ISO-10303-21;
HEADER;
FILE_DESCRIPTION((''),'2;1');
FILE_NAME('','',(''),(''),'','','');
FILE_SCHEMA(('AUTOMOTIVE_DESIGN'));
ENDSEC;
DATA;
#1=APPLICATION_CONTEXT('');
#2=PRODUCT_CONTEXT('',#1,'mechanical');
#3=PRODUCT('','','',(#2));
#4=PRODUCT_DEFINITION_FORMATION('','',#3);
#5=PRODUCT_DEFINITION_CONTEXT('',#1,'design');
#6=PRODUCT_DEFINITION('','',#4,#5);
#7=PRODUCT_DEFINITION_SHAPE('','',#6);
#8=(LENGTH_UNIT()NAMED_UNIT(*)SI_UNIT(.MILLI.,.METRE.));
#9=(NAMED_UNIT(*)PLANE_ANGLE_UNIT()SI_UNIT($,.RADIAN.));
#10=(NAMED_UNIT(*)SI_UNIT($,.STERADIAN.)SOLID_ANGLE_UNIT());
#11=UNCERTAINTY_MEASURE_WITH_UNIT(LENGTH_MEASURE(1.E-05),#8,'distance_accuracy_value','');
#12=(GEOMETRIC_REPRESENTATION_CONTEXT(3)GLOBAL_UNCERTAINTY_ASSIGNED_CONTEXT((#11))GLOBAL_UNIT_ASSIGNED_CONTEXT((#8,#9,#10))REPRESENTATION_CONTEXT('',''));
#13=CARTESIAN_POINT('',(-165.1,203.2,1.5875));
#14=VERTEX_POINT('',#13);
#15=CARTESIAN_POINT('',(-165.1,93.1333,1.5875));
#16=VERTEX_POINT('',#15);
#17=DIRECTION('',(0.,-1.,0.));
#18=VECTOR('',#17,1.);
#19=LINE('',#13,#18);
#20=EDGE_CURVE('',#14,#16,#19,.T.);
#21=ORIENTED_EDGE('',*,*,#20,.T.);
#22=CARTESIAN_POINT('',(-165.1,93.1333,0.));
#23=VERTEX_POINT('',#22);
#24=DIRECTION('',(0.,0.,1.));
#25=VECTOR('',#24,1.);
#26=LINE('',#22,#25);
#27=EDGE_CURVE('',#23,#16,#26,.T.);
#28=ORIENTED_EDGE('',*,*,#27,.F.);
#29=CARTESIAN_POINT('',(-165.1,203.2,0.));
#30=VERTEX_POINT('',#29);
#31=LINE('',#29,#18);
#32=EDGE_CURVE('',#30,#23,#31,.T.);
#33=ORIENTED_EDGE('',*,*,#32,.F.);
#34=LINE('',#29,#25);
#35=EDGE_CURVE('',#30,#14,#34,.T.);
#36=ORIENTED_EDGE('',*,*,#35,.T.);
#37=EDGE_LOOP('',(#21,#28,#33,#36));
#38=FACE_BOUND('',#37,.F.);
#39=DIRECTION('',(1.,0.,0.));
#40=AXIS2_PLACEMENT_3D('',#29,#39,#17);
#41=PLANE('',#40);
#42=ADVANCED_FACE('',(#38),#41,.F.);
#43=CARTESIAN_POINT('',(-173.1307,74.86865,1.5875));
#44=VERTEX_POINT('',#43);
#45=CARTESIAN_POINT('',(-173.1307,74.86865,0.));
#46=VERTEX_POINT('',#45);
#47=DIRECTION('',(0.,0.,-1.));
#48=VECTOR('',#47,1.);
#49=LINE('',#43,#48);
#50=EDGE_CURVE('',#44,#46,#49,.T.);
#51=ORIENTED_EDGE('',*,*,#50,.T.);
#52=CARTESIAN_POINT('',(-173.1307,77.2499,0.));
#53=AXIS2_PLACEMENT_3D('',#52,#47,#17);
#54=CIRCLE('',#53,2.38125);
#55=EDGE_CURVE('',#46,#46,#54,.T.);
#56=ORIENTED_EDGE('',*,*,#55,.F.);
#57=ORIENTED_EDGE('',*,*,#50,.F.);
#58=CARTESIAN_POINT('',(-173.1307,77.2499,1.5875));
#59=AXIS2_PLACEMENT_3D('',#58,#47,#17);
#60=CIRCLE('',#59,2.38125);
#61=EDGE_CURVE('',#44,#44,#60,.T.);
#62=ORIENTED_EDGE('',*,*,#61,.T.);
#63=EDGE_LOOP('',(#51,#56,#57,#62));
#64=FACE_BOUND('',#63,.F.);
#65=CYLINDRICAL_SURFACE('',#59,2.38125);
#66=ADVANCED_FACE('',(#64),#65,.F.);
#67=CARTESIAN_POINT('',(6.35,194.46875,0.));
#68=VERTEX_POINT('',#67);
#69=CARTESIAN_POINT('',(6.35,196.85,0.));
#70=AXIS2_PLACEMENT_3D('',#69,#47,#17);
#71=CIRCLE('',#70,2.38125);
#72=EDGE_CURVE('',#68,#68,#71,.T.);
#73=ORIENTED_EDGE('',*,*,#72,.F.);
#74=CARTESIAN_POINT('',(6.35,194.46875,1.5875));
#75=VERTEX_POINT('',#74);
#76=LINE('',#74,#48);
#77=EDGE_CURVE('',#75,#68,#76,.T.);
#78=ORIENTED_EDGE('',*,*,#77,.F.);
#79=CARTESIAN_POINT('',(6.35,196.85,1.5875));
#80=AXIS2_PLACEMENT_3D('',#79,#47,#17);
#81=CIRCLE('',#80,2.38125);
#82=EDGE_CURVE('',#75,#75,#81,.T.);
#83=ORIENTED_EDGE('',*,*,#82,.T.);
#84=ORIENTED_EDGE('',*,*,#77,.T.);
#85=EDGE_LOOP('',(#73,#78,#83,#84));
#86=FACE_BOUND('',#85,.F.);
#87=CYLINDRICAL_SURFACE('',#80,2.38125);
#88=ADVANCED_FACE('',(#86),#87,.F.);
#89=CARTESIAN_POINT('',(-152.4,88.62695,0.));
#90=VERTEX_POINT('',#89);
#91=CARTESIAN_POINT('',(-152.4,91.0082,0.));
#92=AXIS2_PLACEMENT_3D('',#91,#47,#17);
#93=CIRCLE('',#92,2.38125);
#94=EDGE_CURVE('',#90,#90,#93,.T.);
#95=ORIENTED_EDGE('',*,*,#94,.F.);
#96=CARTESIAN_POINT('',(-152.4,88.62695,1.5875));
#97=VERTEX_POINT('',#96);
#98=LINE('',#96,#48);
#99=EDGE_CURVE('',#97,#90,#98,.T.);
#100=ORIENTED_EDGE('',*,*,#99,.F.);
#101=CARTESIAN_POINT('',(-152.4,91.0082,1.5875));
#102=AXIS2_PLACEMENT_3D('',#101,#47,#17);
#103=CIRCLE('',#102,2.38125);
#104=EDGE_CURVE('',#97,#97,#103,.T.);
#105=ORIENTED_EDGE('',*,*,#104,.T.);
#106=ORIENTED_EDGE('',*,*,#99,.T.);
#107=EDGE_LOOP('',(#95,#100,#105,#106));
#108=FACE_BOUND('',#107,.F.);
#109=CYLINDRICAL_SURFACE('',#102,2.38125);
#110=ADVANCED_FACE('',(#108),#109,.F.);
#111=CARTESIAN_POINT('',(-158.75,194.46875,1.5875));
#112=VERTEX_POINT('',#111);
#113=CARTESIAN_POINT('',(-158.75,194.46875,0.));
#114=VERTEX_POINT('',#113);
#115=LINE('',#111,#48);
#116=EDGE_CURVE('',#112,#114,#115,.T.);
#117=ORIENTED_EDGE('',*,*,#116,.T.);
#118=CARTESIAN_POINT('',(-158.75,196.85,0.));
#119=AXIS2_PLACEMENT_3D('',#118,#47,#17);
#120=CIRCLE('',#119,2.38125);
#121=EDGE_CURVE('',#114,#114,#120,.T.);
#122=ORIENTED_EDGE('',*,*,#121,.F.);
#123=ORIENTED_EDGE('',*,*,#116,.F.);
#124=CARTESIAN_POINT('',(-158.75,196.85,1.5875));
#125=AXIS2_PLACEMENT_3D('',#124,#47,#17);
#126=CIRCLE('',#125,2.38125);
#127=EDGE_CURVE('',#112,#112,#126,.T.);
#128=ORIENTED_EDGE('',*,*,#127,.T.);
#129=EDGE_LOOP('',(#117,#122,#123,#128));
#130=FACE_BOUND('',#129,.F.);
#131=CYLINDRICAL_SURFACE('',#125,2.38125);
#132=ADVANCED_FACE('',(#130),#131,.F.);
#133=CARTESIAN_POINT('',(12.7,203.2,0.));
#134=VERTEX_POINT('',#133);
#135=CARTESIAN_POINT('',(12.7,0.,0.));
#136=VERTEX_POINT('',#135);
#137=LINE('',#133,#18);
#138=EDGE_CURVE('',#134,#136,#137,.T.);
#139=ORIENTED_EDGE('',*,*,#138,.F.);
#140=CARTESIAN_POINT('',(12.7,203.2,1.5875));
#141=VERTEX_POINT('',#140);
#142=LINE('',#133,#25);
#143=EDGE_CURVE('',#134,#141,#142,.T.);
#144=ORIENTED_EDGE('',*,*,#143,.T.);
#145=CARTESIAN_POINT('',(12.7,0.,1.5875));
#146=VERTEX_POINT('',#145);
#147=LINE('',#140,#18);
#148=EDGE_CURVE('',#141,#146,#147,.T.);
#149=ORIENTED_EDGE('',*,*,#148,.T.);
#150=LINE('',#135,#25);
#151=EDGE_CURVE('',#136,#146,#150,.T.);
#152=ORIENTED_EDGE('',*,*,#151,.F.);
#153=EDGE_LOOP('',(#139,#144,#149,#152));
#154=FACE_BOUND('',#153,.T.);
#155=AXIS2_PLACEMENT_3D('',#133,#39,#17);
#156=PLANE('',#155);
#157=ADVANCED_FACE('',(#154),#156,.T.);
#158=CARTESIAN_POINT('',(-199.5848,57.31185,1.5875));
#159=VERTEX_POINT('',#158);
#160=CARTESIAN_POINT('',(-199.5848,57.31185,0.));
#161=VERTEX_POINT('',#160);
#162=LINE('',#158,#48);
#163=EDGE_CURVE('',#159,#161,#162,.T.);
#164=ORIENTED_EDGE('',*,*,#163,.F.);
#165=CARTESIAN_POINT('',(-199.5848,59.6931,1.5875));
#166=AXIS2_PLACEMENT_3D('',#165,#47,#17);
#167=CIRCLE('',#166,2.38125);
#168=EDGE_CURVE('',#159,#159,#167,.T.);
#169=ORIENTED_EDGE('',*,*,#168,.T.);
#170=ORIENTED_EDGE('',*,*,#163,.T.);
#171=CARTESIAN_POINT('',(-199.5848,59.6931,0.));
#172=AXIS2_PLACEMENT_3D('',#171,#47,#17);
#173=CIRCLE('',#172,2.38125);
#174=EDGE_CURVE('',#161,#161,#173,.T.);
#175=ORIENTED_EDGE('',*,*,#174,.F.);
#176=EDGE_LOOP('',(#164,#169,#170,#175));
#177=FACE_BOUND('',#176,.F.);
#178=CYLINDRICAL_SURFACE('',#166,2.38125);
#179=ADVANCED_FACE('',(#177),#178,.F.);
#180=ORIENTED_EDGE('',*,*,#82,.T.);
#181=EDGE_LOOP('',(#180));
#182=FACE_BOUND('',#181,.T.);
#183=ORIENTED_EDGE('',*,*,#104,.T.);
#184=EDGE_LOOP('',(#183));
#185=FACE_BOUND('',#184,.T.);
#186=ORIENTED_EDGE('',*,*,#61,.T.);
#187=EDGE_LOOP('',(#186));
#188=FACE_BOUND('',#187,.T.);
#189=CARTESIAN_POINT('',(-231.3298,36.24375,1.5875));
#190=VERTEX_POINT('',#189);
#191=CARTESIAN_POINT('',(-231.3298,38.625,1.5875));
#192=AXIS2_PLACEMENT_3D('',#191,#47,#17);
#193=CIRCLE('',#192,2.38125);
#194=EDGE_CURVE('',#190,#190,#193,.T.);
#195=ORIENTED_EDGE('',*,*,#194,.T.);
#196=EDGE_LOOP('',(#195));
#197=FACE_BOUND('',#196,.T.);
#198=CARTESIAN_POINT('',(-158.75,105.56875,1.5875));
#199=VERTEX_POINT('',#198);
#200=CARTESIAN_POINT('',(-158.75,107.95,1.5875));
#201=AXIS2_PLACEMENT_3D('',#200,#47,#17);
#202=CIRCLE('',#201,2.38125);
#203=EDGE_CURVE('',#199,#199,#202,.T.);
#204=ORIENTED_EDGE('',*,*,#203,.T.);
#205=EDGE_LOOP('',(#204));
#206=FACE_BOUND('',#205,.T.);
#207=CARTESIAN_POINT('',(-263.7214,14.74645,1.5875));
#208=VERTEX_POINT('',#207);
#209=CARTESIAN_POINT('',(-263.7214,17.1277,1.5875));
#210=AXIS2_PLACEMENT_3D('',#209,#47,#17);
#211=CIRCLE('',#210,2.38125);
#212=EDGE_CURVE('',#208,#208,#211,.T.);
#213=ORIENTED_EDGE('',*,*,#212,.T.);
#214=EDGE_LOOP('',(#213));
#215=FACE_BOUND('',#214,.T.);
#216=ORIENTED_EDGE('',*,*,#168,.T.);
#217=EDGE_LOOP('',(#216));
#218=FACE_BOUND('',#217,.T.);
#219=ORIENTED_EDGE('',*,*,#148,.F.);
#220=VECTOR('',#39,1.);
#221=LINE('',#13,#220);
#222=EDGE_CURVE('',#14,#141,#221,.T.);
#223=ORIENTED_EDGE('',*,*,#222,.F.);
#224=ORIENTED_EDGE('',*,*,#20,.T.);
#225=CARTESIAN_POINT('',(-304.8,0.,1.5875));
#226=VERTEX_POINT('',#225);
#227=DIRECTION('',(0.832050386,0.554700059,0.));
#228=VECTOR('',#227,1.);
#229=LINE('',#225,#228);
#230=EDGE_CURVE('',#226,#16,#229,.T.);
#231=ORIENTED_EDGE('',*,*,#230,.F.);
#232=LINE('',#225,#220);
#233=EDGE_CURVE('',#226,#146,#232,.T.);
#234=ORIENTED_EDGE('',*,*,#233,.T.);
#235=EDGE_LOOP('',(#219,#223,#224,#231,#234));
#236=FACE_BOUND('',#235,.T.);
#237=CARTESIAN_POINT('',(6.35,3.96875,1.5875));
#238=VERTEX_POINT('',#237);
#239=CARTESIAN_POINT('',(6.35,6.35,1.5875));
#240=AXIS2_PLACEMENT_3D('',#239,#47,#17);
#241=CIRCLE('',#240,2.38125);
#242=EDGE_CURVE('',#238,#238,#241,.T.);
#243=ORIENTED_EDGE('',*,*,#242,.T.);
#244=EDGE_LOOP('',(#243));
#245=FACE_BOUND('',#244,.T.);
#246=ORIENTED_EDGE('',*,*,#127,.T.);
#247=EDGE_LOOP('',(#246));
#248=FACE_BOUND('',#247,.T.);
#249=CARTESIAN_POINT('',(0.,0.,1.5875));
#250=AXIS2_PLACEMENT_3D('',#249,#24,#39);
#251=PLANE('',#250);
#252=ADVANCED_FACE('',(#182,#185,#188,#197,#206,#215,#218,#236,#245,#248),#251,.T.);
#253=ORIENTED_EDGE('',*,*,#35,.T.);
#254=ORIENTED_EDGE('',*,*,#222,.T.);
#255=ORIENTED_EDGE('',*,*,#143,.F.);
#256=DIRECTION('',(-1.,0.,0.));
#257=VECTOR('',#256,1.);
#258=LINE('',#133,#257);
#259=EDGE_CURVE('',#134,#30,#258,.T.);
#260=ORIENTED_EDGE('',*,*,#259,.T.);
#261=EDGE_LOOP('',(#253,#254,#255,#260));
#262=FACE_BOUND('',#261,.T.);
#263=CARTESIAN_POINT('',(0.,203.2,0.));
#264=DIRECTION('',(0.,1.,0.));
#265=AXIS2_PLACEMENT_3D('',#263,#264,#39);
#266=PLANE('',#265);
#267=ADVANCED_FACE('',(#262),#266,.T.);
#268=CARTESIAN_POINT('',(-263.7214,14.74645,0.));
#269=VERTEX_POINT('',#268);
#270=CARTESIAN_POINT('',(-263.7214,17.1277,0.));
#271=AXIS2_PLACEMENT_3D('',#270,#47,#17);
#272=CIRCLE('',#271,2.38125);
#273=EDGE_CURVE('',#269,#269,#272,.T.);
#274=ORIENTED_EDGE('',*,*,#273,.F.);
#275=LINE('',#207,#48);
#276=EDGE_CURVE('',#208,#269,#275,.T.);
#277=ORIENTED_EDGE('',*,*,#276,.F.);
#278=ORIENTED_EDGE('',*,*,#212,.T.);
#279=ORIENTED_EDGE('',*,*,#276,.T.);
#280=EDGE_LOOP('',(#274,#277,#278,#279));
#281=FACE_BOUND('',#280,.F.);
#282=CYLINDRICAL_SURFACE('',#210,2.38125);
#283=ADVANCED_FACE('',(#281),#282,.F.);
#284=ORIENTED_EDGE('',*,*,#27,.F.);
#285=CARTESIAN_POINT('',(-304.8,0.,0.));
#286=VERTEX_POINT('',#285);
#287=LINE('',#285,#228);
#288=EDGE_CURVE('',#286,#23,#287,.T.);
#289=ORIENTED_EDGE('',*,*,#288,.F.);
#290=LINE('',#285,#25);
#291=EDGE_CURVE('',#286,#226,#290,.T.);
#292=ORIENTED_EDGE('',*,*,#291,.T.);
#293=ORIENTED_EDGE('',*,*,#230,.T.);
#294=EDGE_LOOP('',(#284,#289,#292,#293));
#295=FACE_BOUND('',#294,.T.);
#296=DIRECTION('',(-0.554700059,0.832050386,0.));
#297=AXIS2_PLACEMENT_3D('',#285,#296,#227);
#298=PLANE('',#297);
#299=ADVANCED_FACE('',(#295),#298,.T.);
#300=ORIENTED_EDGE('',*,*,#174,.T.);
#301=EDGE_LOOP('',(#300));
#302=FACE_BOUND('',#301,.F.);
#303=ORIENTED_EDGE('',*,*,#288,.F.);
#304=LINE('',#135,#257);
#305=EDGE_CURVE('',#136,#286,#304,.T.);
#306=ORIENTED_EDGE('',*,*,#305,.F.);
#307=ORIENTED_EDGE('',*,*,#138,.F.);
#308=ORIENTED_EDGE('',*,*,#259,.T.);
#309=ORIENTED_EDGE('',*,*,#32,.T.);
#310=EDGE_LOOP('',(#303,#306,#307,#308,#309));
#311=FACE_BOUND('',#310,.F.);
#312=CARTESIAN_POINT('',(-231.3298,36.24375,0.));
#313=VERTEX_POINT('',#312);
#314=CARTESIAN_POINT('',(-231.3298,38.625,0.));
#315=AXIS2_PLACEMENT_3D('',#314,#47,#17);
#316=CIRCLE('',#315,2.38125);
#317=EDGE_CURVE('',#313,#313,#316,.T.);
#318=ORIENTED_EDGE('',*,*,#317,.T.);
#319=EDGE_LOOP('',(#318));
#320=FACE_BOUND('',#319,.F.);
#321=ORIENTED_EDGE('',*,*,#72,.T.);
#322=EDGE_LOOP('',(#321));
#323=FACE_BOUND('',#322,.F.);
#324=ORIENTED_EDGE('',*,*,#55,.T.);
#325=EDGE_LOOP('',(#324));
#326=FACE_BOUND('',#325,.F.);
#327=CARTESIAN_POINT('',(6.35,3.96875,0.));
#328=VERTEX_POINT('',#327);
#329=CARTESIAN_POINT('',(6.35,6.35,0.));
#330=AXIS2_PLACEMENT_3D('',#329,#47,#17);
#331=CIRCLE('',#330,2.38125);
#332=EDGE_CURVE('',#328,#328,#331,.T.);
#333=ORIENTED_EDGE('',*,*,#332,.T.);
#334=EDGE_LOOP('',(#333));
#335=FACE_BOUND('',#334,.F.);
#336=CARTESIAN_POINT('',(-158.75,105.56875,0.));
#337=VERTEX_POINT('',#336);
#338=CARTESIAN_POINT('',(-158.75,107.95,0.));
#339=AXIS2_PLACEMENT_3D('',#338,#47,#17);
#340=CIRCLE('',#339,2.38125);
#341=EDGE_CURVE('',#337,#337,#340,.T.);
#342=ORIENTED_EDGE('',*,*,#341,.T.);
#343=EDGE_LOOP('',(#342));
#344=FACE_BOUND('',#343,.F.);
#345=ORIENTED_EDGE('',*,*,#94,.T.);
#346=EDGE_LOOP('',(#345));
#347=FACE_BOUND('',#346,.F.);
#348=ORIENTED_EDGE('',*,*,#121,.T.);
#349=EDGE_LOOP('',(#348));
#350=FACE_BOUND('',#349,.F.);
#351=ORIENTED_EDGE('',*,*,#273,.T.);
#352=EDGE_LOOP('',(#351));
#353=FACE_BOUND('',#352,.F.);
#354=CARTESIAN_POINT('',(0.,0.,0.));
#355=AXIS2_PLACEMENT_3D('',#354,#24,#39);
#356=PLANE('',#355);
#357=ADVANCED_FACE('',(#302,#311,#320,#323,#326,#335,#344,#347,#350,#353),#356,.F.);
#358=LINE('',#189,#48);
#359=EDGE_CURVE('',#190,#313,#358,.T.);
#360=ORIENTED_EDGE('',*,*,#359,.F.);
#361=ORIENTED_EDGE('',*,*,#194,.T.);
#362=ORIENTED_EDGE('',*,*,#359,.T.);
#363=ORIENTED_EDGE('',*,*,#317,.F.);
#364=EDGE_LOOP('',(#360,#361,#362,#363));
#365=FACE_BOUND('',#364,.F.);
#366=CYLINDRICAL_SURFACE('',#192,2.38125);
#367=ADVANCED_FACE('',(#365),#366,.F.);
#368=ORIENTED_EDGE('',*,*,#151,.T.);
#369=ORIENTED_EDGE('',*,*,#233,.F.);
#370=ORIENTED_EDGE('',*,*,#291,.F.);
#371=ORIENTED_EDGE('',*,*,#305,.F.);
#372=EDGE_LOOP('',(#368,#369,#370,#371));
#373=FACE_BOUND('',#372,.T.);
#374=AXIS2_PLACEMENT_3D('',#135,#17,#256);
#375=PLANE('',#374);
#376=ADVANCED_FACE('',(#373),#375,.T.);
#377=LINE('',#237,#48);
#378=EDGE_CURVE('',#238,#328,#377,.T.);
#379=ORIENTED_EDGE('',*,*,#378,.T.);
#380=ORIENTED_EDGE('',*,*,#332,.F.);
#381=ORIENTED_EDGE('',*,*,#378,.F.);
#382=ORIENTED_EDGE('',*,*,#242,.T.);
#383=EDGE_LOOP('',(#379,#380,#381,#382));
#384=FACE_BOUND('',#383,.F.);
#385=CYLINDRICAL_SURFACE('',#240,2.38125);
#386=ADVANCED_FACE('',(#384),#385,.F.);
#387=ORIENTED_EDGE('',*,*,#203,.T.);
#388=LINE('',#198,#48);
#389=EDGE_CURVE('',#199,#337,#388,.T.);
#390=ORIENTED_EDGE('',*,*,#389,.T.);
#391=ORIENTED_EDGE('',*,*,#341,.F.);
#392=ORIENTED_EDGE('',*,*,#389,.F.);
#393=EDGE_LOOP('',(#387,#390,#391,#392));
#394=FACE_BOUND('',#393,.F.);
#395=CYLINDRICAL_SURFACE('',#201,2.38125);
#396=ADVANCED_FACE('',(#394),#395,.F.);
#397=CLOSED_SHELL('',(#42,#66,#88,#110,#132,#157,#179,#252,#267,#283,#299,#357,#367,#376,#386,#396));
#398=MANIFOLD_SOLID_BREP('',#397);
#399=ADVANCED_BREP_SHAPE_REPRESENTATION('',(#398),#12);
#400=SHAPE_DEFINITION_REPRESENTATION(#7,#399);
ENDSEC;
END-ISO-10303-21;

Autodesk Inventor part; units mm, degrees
ref_plane "YZ Plane" through (0, 0, 0) normal (1, 0, 0) x (0, 1, 0)
ref_plane "XZ Plane" through (0, 0, 0) normal (0, 1, 0) x (-1, 0, 0)
ref_plane "XY Plane" through (0, 0, 0) normal (0, 0, 1) x (1, 0, 0)
sketch "Sketch1" plane through (0, 0, 0) normal (0, 0, 1) x (1, 0, 0)
  line L0 (0, 203.2) -> (-152.4, 203.2)
  line L1 (0, 0) -> (-304.8, 0)
  line L2 (-304.8, 0) -> (-165.1, 93.1333)
  line L3 (-152.4, 203.2) -> (-165.1, 203.2)
  line L4 (-165.1, 203.2) -> (-165.1, 93.1333)
  line L5 (0, 203.2) -> (12.7, 203.2)
  line L6 (12.7, 203.2) -> (12.7, 0)
  line L7 (12.7, 0) -> (0, 0)
  dimension "d0" = 203.2
  dimension "d1" = 152.4
  dimension "d2" = 304.8
  dimension "d5" = 12.7
  dimension "d6" = 12.7
extrude "Extrusion1" add sketch "Sketch1" along normal blind 1.5875
sketch "Sketch2" plane through (0, 0, 1.5875) normal (0, 0, 1) x (1, 0, 0)
  line L0 (12.7, 203.2) -> (-165.1, 203.2) projected
  line L1 (-165.1, 203.2) -> (-158.75, 203.2)
  line L2 (-304.8, 0) -> (12.7, 0) projected
  line L3 (12.7, 203.2) -> (6.35, 203.2)
  line L4 (-302.2289, 0) -> (-289.5289, 0)
  line L5 (-165.1, 203.2) -> (-152.4, 203.2)
  line L6 (-158.75, 203.2) -> (-158.75, 196.85)
  line L7 (-158.75, 101.6) -> (-158.75, 107.95)
  line L8 (6.35, 203.2) -> (6.35, 196.85)
  line L9 (6.35, 0) -> (6.35, 6.35)
  point P0 (0, 0)
  point P1 (-263.7214, 17.1277)
  point P2 (-231.3298, 38.625)
  point P3 (-199.5848, 59.6931)
  point P4 (-173.1307, 77.2499)
  point P5 (-152.4, 91.0082)
  dimension "d7" = 6.35
  dimension "d8" = 6.35
  dimension "d14" = 12.7
  dimension "d15" = 6.35
  dimension "d16" = 101.6
  dimension "d17" = 6.35
  dimension "d18" = 6.35
  dimension "d19" = 6.35
hole "Hole1" at (-263.7214, 17.1277, 1.5875) at (-231.3298, 38.625, 1.5875) at (-199.5848, 59.6931, 1.5875) at (-173.1307, 77.2499, 1.5875) at (-152.4, 91.0082, 1.5875) at (-158.75, 107.95, 1.5875) at (-158.75, 196.85, 1.5875) at (6.35, 6.35, 1.5875) at (6.35, 196.85, 1.5875) direction (0, 0, -1) diameter 4.7625 end through all
properties part number "intakeabs2"
